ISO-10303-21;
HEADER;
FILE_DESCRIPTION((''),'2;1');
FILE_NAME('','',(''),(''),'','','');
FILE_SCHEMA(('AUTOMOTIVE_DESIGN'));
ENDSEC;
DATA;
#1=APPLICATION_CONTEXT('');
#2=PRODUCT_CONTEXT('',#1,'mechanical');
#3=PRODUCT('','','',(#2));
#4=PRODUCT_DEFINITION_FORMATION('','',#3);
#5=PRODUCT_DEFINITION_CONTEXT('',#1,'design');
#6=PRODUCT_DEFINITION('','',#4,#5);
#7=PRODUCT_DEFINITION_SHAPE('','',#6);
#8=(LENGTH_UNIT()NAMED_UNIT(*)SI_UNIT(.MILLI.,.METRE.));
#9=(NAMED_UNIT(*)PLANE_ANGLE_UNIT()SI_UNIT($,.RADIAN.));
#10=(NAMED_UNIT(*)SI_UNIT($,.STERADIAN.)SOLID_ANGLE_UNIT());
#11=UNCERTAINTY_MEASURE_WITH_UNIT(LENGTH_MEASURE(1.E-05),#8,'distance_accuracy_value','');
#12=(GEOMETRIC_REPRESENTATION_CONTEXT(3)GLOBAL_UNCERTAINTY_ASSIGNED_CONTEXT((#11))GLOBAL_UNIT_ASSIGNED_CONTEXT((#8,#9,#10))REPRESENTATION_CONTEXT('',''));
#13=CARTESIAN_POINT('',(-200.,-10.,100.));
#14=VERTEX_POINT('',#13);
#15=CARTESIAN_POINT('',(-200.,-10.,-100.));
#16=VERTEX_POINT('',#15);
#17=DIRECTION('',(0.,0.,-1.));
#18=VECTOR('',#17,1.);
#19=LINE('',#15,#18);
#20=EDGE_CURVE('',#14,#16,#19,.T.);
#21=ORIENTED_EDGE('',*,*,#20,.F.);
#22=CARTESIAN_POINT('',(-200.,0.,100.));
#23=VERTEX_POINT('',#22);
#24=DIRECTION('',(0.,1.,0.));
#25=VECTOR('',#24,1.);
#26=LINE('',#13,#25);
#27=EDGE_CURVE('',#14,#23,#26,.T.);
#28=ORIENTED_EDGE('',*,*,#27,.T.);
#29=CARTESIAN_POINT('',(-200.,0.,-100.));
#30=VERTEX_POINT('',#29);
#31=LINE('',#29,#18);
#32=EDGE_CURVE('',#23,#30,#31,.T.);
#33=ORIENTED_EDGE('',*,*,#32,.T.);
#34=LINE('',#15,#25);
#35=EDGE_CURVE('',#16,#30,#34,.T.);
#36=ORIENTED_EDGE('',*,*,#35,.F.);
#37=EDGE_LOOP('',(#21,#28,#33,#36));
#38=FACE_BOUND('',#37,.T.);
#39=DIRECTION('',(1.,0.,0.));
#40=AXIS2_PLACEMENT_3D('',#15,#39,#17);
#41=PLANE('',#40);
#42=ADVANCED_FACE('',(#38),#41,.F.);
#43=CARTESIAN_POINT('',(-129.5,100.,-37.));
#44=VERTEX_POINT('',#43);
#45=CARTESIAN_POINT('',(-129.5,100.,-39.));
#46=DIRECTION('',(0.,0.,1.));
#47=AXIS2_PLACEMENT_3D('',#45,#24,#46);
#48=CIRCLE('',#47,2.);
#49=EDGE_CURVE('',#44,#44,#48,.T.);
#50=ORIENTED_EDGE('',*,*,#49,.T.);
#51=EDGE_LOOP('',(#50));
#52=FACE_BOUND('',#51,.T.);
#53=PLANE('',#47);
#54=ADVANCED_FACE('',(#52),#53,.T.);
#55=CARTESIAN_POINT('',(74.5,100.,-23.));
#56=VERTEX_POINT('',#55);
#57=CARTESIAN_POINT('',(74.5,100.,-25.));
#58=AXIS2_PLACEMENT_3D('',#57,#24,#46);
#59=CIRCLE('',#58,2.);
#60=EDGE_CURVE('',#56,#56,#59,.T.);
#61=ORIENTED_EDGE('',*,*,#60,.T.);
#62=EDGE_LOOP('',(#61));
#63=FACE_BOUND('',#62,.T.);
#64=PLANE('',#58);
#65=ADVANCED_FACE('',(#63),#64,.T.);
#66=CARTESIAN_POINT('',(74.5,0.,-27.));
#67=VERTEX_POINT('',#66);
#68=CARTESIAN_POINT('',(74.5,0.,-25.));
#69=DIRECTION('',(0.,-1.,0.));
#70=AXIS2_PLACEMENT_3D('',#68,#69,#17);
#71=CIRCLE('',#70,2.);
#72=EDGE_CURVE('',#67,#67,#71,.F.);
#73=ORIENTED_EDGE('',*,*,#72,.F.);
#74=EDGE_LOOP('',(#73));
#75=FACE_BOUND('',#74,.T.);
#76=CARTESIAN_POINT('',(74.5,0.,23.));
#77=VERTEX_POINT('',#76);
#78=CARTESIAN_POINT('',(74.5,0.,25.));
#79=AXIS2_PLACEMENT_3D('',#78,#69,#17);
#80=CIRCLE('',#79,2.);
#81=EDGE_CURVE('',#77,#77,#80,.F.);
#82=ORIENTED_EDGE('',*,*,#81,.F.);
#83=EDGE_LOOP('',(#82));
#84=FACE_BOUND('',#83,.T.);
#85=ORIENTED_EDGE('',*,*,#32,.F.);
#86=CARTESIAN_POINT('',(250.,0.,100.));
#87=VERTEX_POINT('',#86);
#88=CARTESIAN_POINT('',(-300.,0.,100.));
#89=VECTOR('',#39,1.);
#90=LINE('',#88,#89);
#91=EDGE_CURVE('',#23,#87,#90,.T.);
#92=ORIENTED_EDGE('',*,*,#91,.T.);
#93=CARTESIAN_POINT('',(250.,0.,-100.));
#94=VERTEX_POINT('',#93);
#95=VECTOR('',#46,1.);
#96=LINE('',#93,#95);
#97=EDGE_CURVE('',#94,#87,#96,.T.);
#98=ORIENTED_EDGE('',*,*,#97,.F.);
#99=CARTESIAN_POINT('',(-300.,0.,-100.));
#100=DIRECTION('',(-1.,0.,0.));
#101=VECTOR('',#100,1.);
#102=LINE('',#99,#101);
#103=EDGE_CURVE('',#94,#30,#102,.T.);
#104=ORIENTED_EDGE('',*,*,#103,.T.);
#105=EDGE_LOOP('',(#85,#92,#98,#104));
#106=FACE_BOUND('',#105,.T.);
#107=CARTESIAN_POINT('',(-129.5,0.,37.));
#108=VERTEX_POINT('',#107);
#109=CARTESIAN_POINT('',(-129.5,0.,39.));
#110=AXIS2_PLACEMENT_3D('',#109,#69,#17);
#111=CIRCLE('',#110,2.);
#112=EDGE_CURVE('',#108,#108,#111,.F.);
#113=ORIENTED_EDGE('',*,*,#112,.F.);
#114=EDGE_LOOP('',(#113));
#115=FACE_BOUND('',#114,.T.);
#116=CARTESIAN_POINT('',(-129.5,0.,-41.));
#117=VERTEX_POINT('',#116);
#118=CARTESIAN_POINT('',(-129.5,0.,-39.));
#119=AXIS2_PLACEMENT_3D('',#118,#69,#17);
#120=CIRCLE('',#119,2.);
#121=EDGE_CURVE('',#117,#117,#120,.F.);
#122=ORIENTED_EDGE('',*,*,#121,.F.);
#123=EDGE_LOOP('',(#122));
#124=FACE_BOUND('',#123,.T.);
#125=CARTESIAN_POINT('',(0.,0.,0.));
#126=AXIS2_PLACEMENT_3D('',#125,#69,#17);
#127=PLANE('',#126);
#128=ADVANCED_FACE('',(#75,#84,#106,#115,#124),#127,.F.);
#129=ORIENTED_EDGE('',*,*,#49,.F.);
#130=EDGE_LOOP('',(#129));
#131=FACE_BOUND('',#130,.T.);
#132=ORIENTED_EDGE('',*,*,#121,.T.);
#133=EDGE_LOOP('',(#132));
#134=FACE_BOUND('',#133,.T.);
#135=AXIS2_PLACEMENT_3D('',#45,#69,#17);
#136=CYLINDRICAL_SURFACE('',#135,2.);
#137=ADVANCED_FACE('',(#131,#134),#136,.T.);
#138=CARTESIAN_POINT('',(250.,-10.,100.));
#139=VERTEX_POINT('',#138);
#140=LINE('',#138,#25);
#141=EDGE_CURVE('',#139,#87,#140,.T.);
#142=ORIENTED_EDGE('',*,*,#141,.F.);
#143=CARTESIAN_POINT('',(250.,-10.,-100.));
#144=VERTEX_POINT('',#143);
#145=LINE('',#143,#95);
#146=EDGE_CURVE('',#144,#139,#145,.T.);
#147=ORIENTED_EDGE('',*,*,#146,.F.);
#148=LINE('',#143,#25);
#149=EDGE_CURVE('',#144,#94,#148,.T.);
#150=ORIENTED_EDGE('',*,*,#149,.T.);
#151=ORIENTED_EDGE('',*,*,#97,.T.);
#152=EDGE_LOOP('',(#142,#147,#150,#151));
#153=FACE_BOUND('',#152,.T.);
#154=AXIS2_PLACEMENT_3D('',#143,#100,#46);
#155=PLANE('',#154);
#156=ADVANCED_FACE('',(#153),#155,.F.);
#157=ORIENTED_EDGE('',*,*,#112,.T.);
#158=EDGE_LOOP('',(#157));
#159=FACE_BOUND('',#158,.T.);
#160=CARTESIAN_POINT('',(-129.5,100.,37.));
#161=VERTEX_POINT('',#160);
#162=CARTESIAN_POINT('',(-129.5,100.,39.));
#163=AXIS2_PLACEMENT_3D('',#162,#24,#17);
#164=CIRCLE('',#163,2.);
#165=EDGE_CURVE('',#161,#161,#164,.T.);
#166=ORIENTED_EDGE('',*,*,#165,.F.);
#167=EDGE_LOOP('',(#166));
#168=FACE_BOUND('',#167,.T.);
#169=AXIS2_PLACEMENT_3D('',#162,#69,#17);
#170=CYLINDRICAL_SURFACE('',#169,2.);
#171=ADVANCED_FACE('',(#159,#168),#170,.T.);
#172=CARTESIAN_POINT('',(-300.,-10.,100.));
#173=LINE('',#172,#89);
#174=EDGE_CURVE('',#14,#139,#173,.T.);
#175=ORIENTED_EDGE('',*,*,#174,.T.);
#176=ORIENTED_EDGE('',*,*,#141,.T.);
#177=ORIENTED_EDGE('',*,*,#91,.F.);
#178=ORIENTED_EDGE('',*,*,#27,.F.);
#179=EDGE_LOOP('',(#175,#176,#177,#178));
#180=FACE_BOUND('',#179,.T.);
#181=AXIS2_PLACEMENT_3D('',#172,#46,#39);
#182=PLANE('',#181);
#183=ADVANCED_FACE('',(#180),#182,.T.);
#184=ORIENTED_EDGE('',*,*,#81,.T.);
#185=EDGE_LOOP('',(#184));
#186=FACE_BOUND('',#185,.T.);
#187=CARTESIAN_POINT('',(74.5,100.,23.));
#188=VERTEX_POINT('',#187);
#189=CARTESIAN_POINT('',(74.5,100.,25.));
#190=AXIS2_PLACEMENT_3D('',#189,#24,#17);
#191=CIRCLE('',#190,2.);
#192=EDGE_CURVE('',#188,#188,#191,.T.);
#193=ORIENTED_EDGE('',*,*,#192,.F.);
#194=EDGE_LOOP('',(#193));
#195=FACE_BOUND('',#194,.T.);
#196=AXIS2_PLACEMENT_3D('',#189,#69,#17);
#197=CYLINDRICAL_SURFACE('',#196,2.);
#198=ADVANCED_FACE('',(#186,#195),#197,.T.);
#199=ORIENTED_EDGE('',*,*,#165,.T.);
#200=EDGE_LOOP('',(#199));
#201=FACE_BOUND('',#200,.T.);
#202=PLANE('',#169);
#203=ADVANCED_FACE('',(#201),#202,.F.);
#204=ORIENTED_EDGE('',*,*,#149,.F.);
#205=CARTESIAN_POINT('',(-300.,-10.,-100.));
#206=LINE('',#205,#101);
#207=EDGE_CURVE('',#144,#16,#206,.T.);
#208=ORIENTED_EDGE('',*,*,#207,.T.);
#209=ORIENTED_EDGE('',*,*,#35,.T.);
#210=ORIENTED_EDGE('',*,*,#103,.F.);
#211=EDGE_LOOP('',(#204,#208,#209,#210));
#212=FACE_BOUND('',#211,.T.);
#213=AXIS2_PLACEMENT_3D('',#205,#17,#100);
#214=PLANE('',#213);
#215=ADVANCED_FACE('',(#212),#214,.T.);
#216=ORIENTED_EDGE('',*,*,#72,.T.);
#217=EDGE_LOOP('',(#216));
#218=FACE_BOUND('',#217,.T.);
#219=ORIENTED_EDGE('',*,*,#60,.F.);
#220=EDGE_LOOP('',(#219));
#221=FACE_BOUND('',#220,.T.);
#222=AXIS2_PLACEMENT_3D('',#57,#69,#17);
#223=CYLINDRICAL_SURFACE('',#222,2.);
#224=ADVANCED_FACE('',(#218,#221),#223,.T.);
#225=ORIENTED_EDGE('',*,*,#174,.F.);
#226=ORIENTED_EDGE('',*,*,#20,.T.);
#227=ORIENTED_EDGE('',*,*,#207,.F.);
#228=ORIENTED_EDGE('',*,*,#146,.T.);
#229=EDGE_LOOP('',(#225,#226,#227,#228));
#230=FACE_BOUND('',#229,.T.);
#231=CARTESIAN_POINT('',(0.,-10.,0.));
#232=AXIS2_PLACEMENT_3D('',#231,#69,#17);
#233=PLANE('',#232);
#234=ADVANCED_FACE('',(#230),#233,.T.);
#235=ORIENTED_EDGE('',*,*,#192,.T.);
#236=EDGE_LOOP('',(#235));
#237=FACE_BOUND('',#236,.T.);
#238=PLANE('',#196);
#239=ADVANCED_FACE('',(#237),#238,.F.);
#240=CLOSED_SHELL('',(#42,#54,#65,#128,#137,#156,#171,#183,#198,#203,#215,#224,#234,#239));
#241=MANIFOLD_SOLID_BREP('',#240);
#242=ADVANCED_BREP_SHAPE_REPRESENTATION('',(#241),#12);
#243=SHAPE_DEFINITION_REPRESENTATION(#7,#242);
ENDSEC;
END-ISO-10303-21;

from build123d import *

# Parameters (mm, degrees)
SKETCH_1_W          = 600
SKETCH_1_H          = 200
EXTRUDE_1_DEPTH     = 10
SKETCH_2_R          = 2
EXTRUDE_2_DEPTH     = 100
SKETCH_3_W          = 100
SKETCH_3_H          = 200
SKETCH_3_W_2        = 50
CUT_EXTRUDE_1_DEPTH = 10


with BuildPart() as part:
    # 草图1 → 凸台-拉伸1 (new body)
    with BuildSketch(Plane(origin=(0, 0, 0), x_dir=(1, 0, 0), z_dir=(0, 1, 0))):
        Rectangle(SKETCH_1_W, SKETCH_1_H)
    extrude(amount=-EXTRUDE_1_DEPTH)

    # 草图2 → 凸台-拉伸2 (add)
    with BuildSketch(Plane(origin=(0, 0, 0), x_dir=(1, 0, 0), z_dir=(0, 1, 0))):
        with Locations(Location((-129.5, 39, 0), (0, 0, 90))):
            Circle(SKETCH_2_R)
        with Locations(Location((-129.5, -39, 0), (0, 0, 90))):
            Circle(SKETCH_2_R)
        with Locations(Location((74.5, 25, 0), (0, 0, 90))):
            Circle(SKETCH_2_R)
        with Locations(Location((74.5, -25, 0), (0, 0, 90))):
            Circle(SKETCH_2_R)
    extrude(amount=EXTRUDE_2_DEPTH)

    # 草图3 → 切除-拉伸1 (cut)
    with BuildSketch(Plane(origin=(0, 0, 0), x_dir=(1, 0, 0), z_dir=(0, 1, 0))):
        with Locations((-250, 0)):
            Rectangle(SKETCH_3_W, SKETCH_3_H)
        with Locations((275, 0)):
            Rectangle(SKETCH_3_W_2, SKETCH_3_H)
    extrude(amount=-CUT_EXTRUDE_1_DEPTH, mode=Mode.SUBTRACT)


solid = part.part
